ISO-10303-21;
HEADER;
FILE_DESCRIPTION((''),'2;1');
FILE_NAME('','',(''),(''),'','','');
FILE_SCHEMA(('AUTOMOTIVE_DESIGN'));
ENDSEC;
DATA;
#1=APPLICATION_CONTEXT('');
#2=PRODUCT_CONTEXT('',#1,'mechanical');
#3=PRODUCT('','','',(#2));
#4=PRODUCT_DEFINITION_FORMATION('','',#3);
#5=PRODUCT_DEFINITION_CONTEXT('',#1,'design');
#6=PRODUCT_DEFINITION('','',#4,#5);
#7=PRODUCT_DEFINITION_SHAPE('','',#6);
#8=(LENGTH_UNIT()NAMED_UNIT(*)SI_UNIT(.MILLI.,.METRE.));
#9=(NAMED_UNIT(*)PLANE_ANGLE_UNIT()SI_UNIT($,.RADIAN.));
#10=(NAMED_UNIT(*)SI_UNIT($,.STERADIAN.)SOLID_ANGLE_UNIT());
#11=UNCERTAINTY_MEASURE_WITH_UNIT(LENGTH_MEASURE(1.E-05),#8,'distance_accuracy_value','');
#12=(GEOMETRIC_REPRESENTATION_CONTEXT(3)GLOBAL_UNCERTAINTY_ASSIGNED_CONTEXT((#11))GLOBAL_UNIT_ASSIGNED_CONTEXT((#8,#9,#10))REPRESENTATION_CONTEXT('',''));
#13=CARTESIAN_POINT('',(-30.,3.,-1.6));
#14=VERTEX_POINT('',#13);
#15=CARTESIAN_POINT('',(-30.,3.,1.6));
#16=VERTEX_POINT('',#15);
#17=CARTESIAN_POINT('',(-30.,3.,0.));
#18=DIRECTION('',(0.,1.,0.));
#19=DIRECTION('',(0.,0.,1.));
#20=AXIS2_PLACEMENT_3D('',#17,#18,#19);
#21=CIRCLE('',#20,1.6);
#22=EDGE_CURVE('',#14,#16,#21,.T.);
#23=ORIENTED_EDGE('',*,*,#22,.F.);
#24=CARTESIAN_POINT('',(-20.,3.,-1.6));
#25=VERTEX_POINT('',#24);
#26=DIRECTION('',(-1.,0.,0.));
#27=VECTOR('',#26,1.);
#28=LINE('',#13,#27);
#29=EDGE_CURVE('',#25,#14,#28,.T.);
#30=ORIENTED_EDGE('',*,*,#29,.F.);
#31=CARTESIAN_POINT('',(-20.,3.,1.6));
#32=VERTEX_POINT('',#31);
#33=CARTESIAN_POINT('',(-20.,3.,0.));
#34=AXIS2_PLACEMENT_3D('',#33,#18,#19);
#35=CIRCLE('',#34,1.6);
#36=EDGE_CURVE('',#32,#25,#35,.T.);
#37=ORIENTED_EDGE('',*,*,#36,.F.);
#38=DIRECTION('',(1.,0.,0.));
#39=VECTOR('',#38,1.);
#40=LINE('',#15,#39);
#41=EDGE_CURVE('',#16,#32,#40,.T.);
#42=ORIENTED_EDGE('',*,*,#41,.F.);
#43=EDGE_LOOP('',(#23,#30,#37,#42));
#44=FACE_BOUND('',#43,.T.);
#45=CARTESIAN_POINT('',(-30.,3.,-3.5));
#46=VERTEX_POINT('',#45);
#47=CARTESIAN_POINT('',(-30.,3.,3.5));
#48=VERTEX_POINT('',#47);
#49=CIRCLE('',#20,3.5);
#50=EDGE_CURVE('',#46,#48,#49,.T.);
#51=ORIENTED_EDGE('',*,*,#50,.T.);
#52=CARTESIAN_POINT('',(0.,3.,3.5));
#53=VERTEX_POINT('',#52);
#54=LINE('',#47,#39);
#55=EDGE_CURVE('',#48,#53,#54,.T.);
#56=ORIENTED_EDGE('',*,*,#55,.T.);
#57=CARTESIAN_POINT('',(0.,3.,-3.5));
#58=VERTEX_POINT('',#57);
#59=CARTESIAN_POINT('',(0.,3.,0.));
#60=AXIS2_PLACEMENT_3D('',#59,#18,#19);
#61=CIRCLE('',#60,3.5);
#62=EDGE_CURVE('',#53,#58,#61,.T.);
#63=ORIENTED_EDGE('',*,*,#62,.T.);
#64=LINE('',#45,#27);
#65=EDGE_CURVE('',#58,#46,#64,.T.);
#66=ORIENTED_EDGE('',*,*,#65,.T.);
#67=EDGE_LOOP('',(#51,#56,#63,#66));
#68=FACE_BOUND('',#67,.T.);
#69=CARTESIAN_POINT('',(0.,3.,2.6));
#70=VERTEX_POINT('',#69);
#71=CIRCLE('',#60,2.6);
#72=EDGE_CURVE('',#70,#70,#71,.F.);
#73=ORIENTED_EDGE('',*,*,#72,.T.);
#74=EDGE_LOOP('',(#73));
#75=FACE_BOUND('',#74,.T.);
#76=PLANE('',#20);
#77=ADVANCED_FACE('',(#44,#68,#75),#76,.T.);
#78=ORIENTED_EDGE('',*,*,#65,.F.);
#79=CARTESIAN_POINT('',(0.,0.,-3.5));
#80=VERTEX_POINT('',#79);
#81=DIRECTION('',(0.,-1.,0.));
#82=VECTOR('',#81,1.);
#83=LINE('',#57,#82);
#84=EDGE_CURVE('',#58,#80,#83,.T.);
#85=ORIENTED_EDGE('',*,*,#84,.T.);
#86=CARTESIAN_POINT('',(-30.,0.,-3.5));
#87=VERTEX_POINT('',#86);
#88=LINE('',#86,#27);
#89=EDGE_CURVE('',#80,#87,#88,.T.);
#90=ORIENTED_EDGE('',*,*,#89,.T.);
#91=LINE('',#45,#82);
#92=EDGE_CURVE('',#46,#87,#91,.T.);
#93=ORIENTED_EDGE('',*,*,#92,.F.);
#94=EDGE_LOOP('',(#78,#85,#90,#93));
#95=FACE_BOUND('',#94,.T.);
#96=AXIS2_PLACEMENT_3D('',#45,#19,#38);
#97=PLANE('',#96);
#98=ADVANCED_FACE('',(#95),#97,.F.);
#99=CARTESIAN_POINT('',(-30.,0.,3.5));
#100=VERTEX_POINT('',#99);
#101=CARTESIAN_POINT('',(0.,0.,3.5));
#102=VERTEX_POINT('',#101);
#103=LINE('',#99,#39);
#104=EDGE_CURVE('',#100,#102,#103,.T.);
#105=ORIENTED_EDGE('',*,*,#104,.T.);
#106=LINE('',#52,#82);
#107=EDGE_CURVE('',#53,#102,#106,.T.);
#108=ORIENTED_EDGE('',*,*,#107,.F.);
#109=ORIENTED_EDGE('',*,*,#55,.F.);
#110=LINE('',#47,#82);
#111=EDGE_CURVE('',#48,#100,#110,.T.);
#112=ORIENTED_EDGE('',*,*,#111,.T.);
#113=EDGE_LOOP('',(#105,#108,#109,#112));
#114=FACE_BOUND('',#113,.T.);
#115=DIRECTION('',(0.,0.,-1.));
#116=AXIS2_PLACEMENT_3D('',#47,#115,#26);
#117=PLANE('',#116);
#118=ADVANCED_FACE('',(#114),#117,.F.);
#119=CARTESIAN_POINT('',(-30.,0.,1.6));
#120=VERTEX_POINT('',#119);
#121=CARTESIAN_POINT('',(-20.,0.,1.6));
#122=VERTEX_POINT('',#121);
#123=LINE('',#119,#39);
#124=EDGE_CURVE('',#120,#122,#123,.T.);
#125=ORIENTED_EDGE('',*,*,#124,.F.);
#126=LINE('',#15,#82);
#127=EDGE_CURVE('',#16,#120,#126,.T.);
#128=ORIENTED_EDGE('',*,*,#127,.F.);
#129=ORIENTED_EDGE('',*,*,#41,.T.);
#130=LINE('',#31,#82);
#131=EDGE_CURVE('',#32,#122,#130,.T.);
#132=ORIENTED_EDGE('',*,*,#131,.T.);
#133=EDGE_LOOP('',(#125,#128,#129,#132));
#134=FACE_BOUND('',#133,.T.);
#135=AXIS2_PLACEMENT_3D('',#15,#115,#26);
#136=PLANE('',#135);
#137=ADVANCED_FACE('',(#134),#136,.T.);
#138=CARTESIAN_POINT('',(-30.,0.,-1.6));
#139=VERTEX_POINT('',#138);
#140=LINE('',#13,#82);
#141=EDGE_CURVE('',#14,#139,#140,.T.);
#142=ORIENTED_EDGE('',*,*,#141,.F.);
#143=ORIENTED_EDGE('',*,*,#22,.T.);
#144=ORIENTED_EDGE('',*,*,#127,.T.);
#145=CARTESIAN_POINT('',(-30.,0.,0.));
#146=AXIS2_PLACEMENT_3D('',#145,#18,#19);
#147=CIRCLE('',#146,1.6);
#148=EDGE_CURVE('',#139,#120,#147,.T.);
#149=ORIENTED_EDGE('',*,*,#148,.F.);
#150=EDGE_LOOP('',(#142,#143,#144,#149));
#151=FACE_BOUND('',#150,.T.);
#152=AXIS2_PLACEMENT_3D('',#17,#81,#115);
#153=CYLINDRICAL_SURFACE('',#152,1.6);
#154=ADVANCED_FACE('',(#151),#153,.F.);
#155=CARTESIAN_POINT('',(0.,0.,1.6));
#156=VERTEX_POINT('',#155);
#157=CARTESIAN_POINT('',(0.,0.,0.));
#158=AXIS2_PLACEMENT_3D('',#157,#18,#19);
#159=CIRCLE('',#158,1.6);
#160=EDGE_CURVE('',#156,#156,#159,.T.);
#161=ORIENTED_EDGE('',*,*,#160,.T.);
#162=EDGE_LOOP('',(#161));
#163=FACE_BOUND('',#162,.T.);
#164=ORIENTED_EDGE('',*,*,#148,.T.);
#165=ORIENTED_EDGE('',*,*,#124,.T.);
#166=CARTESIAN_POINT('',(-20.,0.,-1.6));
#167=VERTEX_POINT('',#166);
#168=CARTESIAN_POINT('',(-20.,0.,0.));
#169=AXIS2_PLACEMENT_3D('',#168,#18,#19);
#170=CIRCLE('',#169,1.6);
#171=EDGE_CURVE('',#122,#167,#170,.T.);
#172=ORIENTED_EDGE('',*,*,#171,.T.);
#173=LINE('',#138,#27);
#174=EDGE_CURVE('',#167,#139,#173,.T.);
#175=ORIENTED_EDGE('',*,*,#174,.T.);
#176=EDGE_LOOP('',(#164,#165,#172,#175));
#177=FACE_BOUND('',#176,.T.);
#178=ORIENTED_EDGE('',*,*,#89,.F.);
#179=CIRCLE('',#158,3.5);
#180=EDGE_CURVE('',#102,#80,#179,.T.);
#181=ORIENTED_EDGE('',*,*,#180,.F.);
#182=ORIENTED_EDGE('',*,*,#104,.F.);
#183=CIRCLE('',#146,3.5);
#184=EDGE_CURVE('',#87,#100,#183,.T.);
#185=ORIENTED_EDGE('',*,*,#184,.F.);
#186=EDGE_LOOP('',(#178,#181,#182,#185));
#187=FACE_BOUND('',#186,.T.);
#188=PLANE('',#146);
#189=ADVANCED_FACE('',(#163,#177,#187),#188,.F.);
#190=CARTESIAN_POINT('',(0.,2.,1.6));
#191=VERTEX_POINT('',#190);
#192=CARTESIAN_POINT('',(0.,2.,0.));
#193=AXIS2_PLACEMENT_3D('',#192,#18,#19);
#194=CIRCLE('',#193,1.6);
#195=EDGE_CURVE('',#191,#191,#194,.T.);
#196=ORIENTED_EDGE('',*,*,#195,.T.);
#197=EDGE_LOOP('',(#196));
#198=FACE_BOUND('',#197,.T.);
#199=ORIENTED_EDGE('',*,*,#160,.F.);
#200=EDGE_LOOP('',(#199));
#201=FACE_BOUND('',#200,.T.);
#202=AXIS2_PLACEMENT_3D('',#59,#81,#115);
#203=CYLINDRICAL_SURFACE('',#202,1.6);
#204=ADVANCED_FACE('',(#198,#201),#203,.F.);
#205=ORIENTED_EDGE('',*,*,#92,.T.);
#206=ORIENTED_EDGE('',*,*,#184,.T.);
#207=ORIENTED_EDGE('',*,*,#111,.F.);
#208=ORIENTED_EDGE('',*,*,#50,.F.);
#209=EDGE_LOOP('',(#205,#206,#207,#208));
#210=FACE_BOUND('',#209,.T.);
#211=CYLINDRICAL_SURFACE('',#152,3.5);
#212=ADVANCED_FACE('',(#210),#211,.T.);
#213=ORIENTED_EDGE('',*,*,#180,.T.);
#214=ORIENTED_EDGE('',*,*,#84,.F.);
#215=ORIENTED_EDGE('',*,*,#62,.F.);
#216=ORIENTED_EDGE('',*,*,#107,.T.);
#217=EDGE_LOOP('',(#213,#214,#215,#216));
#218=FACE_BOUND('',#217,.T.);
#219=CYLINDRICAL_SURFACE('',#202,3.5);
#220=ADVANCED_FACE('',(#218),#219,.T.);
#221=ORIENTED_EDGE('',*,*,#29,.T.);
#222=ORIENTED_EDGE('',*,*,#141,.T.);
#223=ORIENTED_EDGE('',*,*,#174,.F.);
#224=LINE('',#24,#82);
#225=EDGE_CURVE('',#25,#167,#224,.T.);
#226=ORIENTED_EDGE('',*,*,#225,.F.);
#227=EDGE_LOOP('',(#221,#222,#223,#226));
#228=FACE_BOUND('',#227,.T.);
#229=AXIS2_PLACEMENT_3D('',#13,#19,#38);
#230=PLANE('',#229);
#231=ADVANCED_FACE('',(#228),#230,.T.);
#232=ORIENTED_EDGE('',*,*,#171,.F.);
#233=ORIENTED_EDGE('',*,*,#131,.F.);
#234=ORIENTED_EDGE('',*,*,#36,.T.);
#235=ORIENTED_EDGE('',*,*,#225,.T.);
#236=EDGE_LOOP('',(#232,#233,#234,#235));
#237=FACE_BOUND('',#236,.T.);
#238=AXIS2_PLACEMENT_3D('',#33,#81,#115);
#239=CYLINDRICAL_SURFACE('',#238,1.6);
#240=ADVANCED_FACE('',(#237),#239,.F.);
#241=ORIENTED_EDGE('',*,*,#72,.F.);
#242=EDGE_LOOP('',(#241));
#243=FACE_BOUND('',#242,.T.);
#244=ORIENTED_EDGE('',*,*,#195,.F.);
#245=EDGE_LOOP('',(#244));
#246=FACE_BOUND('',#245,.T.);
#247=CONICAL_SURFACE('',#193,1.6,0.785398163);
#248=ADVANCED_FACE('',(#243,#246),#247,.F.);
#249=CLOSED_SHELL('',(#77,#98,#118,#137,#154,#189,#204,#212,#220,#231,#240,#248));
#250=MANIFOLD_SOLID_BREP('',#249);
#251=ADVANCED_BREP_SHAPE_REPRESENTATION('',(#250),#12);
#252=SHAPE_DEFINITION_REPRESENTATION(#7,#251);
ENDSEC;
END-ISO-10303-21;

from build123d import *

# Parameters (mm, degrees)
SKETCH_1_R      = 1.6
EXTRUDE_1_DEPTH = 3
CHAMFER_1_SIZE  = 1


with BuildPart() as part:
    # Эскиз1 → Бобышка-Вытянуть1 (new body)
    with BuildSketch(Plane(origin=(0, 0, 0), x_dir=(1, 0, 0), z_dir=(0, 1, 0))):
        with BuildLine():
            Line((-30, 3.5), (0, 3.5))
            ThreePointArc((0, 3.5), (3.5, 0), (0, -3.5))
            Line((0, -3.5), (-30, -3.5))
            ThreePointArc((-30, -3.5), (-33.5, 0), (-30, 3.5))
        make_face()
        Circle(SKETCH_1_R, mode=Mode.SUBTRACT)
        with BuildLine():
            Line((-30, 1.6), (-20, 1.6))
            ThreePointArc((-20, 1.6), (-18.4, 0), (-20, -1.6))
            Line((-20, -1.6), (-30, -1.6))
            ThreePointArc((-30, -1.6), (-31.6, 0), (-30, 1.6))
        make_face(mode=Mode.SUBTRACT)
    extrude(amount=EXTRUDE_1_DEPTH)

    # Фаска1
    chamfer_1_edges = [part.edges().sort_by_distance(p)[0] for p in [
        (-1.6, 3, 0),
    ]]
    chamfer(chamfer_1_edges, length=CHAMFER_1_SIZE)


solid = part.part
